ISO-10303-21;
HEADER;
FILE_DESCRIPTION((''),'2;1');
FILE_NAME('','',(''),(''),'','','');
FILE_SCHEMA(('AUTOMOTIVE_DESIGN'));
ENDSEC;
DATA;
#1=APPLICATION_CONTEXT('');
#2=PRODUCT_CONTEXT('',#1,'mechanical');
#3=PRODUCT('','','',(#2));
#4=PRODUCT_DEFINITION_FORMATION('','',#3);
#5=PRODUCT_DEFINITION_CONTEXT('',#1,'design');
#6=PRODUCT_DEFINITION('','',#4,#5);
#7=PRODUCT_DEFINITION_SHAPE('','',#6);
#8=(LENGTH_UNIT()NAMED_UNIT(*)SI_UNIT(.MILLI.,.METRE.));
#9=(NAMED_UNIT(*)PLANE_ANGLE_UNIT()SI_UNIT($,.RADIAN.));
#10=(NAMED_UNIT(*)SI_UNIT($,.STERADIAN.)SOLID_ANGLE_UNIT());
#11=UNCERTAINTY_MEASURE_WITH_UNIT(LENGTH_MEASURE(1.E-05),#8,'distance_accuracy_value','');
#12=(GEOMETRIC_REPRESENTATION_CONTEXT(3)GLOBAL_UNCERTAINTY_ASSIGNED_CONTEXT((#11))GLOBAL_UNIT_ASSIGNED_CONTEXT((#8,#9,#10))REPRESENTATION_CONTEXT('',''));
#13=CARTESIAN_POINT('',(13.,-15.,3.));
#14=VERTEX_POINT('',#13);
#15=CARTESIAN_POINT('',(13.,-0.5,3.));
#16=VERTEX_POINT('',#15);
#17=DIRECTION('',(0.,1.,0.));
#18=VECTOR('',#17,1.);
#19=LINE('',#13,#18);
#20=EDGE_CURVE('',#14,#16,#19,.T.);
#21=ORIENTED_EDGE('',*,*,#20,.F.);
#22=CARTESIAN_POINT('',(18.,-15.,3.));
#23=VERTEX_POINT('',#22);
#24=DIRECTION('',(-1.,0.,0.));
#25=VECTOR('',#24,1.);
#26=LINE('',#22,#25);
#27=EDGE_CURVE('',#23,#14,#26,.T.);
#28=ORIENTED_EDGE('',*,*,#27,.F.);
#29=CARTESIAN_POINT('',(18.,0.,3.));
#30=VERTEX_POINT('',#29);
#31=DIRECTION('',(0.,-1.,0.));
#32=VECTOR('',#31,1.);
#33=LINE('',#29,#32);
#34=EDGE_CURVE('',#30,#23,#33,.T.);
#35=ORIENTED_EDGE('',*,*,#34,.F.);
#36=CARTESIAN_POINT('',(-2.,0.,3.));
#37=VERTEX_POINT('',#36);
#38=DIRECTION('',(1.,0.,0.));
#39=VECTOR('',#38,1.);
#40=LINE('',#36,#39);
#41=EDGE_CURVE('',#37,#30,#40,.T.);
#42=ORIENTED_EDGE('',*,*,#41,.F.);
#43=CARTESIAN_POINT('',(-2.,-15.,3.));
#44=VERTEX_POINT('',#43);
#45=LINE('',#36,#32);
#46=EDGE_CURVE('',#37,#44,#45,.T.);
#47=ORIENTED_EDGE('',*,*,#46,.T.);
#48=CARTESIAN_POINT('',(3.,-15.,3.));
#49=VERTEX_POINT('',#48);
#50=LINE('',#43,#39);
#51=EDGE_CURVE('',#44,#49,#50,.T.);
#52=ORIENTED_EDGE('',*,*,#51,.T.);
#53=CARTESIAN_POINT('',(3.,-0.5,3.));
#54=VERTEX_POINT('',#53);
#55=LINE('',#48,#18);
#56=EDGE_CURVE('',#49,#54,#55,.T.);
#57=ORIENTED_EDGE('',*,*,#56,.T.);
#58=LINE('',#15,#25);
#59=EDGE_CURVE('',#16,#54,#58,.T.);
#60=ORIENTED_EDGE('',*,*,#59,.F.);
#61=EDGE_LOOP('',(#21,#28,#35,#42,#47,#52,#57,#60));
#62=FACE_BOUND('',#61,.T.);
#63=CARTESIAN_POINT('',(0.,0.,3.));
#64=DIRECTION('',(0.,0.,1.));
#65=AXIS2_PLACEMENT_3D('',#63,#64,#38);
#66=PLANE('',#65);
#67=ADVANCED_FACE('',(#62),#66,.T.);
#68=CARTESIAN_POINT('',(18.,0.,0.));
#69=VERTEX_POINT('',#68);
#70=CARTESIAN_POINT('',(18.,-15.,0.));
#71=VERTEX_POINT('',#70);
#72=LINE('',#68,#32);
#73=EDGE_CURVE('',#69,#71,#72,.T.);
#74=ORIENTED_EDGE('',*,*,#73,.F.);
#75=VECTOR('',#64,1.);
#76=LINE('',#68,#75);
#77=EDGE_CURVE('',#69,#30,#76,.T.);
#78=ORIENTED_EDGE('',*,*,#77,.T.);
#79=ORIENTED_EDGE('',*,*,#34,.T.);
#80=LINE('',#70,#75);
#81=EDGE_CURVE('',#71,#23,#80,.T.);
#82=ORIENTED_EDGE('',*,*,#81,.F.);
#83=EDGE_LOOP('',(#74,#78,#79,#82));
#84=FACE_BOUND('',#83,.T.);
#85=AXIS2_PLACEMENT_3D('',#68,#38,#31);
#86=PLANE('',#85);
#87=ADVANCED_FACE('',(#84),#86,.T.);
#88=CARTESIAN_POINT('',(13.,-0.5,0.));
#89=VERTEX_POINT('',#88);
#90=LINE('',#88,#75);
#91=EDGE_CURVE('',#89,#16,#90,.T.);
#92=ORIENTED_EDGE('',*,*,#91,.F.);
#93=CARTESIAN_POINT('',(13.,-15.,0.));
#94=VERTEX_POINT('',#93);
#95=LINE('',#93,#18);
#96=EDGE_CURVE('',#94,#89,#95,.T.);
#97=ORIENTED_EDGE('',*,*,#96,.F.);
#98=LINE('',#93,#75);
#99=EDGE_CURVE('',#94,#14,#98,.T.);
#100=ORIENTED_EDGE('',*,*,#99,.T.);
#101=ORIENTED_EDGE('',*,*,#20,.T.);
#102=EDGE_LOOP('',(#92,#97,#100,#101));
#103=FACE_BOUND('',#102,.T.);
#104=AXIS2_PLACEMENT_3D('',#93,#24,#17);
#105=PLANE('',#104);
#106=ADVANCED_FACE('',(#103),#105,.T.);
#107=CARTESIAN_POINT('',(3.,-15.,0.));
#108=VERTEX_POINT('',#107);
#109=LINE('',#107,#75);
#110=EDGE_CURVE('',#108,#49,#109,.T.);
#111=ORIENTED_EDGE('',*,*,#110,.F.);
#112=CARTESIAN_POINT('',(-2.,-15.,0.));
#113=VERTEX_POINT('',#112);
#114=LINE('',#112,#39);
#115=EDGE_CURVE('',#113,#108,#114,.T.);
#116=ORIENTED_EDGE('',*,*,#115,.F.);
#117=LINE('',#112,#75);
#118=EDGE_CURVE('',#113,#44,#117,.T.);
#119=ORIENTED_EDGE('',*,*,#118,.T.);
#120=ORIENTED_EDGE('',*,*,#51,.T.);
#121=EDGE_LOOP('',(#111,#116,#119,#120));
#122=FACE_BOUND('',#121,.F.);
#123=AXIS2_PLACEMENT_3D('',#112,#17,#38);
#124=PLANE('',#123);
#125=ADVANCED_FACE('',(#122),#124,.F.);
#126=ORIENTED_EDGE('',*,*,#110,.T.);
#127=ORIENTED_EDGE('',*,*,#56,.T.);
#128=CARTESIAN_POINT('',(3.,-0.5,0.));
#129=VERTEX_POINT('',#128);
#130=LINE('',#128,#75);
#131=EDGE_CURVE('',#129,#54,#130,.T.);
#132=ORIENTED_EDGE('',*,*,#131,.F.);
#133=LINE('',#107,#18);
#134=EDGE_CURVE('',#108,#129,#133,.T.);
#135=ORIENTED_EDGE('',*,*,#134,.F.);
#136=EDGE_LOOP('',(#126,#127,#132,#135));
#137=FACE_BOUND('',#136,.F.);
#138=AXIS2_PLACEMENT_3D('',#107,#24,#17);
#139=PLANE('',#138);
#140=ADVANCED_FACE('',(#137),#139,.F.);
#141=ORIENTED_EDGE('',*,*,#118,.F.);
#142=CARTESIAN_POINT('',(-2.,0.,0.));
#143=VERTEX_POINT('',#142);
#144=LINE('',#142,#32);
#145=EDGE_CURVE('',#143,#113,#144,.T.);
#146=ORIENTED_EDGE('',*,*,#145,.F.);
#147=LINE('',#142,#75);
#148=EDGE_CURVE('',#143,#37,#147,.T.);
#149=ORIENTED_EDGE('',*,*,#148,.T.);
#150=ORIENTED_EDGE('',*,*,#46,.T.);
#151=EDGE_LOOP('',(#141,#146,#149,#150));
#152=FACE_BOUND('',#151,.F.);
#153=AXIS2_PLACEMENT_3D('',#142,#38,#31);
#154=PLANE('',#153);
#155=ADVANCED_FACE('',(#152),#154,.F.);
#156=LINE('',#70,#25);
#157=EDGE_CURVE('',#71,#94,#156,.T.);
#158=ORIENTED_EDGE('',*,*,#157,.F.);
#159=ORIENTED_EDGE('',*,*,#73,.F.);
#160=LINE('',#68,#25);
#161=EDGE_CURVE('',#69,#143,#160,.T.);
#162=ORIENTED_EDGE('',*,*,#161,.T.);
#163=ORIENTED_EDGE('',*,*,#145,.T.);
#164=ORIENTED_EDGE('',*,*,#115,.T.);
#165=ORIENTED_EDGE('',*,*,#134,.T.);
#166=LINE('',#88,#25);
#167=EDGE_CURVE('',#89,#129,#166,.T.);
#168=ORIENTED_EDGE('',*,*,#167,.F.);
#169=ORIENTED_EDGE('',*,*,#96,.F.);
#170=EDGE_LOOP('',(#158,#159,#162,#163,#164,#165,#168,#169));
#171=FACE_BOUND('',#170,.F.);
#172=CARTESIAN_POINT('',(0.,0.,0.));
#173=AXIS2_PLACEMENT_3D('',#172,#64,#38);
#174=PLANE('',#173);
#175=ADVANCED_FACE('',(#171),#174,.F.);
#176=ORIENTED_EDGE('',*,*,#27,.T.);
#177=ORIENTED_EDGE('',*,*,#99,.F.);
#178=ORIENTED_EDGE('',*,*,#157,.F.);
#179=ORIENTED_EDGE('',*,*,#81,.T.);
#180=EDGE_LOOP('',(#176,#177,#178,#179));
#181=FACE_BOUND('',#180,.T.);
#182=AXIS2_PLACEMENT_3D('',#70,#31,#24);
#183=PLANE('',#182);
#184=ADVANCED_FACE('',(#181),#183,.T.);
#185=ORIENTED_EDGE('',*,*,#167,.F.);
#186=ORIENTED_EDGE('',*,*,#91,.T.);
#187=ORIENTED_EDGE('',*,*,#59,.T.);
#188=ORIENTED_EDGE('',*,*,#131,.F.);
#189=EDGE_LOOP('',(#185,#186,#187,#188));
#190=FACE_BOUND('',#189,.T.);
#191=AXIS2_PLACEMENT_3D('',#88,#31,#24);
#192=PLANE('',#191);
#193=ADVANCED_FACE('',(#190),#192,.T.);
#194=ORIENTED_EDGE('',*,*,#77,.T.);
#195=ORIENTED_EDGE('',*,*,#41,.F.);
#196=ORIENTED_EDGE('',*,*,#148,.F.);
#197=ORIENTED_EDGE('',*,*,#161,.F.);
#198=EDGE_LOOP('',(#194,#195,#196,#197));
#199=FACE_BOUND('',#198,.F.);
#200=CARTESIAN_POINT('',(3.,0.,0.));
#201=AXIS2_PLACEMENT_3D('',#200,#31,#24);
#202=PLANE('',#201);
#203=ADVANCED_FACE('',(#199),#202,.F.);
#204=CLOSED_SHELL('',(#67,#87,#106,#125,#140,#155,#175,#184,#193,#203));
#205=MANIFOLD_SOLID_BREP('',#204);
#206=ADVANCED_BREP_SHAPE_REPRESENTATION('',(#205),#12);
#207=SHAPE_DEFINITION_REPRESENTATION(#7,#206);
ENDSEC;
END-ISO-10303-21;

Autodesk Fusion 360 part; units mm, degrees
sketch "Sketch1" plane through (0, 0, 0) normal (0, 0, 1) x (1, 0, 0)
  line L0 (-2, -15) -> (3, -15)
  line L1 (3, -15) -> (3, 0)
  line L2 (3, 0) -> (-2, 0)
  line L3 (-2, 0) -> (-2, -15)
  line L4 (3, 0) -> (13, 0)
  line L5 (13, 0) -> (13, -0.5)
  line L6 (13, -0.5) -> (3, -0.5)
  line L7 (3, -0.5) -> (3, 0)
  line L8 (13, 0) -> (18, 0)
  line L9 (18, 0) -> (18, -15)
  line L10 (18, -15) -> (13, -15)
  line L11 (13, -15) -> (13, 0)
  dimension "d1" = 5
  dimension "d2" = 15
  dimension "d3" = 10
  dimension "d4" = 0.5
extrude "Extrude1" add sketch "Sketch1" along normal blind 3
